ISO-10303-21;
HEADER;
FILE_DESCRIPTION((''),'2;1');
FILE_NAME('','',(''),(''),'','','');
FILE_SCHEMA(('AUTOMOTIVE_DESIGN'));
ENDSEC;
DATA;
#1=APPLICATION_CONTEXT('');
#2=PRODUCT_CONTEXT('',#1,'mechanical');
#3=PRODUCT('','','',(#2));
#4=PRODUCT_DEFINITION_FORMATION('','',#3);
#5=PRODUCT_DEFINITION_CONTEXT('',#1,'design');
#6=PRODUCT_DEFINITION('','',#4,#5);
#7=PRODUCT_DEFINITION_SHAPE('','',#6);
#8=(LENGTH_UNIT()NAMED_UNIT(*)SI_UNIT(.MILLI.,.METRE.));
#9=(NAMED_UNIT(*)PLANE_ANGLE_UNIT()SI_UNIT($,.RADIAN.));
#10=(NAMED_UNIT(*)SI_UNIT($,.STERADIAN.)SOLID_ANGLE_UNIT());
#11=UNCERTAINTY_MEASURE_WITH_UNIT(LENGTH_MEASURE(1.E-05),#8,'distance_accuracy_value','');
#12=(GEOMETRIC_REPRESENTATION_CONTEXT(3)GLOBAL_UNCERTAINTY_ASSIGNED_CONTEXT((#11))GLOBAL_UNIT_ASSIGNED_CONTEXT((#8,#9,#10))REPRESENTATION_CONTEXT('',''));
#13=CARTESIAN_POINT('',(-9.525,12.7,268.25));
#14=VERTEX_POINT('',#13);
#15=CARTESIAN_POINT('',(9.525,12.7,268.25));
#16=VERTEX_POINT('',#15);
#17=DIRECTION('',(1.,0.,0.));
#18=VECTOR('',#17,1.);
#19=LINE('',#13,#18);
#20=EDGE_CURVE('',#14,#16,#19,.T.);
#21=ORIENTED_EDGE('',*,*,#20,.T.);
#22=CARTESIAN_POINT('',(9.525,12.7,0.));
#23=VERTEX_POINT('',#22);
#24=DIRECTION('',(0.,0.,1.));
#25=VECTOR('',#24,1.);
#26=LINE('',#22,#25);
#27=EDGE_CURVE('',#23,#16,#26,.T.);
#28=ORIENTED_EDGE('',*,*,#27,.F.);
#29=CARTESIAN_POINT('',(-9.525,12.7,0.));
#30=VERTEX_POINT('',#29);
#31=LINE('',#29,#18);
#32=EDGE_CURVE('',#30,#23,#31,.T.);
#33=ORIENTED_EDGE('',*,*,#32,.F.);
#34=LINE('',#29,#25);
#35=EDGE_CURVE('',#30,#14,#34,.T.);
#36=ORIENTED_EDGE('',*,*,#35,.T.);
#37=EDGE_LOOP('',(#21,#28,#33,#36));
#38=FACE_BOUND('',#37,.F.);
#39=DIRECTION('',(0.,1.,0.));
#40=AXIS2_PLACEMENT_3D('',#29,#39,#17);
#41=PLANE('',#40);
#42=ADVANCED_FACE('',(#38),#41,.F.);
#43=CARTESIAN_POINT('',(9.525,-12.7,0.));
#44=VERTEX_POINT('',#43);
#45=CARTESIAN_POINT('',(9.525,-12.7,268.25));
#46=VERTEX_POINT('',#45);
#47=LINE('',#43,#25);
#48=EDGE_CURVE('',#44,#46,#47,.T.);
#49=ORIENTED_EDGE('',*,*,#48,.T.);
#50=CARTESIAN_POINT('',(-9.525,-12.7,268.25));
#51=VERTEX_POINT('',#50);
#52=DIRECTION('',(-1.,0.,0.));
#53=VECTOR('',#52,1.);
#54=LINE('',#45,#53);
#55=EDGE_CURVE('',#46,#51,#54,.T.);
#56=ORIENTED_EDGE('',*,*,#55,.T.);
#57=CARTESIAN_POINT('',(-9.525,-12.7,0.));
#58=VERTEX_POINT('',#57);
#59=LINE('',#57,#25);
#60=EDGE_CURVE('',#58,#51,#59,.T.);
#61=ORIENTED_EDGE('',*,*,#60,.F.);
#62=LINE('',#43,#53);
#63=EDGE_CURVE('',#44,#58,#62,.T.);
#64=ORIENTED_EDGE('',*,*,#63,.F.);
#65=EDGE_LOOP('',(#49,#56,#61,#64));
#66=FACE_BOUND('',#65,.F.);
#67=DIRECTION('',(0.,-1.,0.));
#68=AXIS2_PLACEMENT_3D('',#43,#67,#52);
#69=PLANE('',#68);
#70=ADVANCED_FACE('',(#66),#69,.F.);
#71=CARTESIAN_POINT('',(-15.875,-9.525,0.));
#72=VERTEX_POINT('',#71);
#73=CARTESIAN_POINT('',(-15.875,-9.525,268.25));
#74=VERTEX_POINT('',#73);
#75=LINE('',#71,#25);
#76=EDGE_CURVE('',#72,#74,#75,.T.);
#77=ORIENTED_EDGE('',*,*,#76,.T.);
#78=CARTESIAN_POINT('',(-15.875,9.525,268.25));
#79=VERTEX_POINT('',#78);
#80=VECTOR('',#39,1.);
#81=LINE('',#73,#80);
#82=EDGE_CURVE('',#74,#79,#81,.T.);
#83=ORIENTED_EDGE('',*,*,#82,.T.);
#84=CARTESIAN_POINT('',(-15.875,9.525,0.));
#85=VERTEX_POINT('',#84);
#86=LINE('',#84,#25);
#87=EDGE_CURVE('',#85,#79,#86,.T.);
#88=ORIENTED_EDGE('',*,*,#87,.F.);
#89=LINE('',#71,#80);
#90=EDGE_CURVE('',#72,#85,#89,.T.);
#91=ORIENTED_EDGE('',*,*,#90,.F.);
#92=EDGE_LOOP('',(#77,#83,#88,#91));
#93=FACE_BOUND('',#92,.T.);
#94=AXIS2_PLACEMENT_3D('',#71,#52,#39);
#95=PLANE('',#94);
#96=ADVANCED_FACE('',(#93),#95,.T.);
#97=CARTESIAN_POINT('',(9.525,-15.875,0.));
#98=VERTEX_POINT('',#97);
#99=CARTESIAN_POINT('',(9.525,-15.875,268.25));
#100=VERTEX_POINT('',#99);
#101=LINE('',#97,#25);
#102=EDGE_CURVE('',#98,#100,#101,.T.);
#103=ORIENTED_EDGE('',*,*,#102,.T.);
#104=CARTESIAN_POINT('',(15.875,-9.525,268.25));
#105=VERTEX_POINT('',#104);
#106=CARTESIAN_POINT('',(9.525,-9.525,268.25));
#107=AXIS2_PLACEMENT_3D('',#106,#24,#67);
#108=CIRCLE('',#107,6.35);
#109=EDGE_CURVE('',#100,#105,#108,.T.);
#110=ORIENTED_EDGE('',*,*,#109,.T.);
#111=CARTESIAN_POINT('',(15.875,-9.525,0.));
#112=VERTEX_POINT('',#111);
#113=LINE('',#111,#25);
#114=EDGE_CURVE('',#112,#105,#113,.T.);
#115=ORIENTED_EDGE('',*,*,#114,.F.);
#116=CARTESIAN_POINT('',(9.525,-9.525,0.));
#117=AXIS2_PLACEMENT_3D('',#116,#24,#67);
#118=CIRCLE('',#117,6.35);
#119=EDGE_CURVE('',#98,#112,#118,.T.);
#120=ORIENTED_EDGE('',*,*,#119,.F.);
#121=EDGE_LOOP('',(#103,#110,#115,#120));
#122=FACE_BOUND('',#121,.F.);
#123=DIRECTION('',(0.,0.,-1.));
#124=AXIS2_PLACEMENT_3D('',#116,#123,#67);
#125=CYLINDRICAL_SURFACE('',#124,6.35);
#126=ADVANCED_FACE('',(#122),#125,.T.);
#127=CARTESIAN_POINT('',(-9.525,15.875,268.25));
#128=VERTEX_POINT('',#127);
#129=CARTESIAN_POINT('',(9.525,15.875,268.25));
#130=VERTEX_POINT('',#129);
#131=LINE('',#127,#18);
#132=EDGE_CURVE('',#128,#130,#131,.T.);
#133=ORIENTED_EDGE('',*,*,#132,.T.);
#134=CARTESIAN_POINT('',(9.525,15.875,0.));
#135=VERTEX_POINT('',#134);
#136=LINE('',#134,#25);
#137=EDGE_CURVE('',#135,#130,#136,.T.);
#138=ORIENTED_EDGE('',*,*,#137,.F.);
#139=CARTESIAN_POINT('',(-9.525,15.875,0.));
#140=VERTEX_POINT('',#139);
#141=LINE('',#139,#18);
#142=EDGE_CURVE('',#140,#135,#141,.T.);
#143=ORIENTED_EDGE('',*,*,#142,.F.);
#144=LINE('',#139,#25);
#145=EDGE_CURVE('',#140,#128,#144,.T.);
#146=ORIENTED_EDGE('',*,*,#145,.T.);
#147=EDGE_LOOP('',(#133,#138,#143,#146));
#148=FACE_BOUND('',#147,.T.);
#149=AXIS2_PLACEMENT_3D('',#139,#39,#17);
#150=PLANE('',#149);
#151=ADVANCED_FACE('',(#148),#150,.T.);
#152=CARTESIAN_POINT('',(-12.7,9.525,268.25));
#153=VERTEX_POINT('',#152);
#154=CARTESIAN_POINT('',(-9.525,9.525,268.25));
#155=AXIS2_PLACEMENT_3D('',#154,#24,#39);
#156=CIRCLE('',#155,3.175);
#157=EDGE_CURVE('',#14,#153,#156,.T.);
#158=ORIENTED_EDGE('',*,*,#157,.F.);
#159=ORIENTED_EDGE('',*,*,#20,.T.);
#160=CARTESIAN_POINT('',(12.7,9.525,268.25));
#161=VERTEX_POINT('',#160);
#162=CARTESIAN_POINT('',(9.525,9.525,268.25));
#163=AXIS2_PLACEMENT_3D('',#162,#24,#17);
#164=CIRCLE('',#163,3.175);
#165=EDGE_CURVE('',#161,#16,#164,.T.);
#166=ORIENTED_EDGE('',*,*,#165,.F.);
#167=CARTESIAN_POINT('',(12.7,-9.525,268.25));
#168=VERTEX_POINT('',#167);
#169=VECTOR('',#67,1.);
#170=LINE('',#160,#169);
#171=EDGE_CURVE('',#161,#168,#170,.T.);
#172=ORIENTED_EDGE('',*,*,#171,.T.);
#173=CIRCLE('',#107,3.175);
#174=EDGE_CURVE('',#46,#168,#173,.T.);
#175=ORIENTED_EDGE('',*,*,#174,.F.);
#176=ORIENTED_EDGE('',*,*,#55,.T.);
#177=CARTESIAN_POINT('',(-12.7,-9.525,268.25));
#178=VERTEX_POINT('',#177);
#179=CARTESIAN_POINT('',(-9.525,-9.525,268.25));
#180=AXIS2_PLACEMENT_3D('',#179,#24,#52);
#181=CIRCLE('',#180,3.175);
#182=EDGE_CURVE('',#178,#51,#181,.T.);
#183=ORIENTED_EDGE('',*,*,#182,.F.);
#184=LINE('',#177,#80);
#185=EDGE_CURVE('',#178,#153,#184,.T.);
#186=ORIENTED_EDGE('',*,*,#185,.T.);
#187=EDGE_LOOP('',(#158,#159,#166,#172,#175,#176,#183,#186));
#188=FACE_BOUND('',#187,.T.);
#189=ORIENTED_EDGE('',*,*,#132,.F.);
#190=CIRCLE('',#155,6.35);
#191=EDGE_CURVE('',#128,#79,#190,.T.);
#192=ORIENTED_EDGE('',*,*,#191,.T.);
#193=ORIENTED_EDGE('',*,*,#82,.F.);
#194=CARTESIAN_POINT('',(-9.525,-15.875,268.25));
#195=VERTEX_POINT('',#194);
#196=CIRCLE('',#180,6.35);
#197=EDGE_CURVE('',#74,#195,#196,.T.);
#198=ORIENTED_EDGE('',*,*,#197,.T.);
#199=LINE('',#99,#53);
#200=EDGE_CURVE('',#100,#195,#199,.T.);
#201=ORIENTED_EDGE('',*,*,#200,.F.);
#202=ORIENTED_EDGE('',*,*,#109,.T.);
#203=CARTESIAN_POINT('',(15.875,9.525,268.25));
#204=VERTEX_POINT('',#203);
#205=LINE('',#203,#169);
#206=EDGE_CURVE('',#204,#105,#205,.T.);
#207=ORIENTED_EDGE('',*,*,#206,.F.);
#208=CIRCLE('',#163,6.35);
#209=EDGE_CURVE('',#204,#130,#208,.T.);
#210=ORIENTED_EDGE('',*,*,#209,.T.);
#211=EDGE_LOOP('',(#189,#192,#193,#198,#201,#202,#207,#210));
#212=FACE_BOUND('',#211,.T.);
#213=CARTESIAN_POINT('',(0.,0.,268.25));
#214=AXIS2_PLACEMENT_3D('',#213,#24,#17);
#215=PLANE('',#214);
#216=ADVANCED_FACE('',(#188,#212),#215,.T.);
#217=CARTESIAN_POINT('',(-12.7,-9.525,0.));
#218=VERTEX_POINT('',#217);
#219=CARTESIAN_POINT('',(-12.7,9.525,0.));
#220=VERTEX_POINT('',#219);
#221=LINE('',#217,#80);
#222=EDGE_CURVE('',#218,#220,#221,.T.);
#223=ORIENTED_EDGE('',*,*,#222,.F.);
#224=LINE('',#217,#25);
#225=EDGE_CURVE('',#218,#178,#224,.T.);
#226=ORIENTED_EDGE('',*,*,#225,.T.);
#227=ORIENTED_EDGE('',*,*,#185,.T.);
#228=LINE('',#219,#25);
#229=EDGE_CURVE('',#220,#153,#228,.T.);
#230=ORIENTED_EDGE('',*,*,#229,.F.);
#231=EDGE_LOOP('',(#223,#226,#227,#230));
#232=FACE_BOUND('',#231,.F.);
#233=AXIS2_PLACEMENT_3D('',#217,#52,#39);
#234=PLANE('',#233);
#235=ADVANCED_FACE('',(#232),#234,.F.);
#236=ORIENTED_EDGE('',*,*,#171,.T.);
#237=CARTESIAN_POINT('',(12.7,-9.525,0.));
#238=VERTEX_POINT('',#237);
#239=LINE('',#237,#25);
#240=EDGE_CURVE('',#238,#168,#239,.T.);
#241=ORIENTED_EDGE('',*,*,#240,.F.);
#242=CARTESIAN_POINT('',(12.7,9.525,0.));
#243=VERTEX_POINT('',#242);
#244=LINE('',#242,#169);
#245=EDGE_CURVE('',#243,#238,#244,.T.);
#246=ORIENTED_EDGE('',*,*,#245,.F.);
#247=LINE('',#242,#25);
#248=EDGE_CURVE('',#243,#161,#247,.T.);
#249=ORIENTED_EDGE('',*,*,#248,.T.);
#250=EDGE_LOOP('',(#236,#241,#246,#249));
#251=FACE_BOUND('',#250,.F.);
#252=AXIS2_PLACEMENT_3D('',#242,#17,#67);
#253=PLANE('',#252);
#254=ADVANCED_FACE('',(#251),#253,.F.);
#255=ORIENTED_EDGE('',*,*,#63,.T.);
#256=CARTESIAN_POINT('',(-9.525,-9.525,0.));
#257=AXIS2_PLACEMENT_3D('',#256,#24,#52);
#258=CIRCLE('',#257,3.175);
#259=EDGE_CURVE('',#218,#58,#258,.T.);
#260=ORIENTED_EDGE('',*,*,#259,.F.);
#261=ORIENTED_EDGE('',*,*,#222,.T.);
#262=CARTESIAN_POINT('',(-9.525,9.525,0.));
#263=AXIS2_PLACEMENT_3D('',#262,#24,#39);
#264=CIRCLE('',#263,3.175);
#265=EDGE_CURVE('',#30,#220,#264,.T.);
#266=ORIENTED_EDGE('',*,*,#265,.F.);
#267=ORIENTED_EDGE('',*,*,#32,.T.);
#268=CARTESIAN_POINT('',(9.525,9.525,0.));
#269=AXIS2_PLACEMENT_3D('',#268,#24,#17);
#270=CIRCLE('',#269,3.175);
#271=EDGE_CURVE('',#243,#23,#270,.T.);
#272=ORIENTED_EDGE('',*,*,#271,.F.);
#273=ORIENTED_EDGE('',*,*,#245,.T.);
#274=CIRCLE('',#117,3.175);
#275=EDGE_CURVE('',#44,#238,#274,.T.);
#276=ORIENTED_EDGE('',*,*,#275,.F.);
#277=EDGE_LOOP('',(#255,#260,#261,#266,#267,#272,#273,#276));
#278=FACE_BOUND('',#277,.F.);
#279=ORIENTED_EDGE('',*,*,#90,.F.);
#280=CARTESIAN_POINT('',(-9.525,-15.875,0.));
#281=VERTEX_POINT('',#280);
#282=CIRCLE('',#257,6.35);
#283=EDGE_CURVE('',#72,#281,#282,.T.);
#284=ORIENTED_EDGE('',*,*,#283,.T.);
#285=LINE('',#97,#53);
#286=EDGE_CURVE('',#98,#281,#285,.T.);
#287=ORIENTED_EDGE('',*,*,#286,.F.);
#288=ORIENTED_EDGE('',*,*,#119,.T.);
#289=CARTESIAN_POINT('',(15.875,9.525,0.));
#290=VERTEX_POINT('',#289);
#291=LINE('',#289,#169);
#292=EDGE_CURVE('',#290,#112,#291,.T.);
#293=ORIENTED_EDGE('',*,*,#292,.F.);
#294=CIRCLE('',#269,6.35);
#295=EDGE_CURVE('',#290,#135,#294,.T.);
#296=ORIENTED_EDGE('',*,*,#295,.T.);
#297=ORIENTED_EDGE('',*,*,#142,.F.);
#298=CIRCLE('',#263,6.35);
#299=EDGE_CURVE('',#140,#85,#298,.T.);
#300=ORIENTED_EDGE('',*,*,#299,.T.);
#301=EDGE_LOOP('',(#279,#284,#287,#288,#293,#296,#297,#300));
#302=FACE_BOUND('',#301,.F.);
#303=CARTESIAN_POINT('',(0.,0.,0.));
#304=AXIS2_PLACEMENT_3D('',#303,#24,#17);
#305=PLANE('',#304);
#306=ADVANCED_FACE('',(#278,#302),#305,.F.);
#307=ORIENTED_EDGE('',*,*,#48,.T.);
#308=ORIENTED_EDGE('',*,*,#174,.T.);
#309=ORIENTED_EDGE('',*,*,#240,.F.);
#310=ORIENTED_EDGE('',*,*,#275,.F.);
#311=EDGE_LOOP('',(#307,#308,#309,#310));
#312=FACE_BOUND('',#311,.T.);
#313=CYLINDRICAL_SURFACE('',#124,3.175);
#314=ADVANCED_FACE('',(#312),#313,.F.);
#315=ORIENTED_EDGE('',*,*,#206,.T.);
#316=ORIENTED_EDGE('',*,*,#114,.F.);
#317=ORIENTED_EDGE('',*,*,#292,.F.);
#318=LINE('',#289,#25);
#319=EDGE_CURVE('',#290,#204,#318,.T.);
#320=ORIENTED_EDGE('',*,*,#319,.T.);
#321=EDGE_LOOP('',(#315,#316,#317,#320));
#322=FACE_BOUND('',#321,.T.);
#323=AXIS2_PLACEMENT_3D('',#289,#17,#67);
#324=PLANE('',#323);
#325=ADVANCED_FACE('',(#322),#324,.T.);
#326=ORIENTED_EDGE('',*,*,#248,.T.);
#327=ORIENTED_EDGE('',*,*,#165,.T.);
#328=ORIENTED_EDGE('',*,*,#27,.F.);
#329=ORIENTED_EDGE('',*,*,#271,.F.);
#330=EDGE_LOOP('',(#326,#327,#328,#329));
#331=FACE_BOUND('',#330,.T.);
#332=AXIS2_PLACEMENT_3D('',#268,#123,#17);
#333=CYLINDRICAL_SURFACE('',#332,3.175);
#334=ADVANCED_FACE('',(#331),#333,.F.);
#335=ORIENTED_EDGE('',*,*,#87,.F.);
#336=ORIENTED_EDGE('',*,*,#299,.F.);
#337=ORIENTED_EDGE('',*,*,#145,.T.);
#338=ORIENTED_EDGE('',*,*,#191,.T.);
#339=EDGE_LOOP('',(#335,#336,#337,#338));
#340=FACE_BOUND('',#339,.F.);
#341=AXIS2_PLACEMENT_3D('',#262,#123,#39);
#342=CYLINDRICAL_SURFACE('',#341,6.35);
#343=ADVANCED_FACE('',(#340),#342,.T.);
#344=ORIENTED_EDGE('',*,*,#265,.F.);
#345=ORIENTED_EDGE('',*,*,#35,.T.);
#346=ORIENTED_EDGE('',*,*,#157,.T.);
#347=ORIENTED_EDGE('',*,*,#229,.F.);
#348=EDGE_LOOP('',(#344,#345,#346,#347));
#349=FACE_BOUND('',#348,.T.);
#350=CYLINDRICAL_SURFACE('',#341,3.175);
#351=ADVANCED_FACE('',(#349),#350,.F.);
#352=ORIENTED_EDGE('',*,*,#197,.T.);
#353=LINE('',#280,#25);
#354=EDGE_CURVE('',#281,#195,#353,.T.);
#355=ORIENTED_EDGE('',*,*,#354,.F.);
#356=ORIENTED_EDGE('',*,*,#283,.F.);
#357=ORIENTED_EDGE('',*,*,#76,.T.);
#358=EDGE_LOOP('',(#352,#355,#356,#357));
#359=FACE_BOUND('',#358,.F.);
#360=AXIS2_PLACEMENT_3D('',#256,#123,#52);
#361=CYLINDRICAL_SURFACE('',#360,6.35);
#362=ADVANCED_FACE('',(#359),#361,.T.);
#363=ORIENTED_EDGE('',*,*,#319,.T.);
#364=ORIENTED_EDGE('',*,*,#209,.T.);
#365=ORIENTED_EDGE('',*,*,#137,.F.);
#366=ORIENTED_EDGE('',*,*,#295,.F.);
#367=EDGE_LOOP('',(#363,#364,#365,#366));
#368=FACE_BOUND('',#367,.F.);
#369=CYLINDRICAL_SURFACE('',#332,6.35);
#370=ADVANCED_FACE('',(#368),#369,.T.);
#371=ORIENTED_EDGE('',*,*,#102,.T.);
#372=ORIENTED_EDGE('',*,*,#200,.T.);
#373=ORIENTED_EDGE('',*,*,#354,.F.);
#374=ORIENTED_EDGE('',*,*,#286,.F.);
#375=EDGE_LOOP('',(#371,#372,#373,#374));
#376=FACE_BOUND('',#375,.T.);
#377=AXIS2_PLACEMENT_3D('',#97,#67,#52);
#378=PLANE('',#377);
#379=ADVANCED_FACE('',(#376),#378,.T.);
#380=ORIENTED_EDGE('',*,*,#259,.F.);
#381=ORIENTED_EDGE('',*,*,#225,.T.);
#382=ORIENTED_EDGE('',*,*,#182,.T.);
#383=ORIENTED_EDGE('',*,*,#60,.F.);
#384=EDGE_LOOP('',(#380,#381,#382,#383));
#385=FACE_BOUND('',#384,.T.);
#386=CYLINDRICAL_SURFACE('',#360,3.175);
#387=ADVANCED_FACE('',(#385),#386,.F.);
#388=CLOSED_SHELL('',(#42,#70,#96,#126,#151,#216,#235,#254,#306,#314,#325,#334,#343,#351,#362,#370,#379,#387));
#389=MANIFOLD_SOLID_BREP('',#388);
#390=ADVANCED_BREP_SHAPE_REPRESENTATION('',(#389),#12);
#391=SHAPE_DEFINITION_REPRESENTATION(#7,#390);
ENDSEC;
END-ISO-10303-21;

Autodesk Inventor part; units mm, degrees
ref_plane "Start Plane" through (0, 0, 0) normal (0, 0, 1) x (1, 0, 0)
ref_plane "End Plane" through (0, 0, 268.25) normal (0, 0, 1) x (1, 0, 0)
sketch "Sketch" plane through (0, 0, 0) normal (0, 0, 1) x (1, 0, 0)
  line L0 (-15.875, -9.525) -> (-15.875, 9.525)
  line L1 (-9.525, 15.875) -> (9.525, 15.875)
  line L2 (15.875, 9.525) -> (15.875, -9.525)
  line L3 (9.525, -15.875) -> (-9.525, -15.875)
  arc A0 (-15.875, -9.525) -> (-9.525, -15.875) centre (-9.525, -9.525) ccw
  arc A1 (-9.525, 15.875) -> (-15.875, 9.525) centre (-9.525, 9.525) ccw
  arc A2 (15.875, 9.525) -> (9.525, 15.875) centre (9.525, 9.525) ccw
  arc A3 (9.525, -15.875) -> (15.875, -9.525) centre (9.525, -9.525) ccw
  arc A4 (-9.525, 12.7) -> (-12.7, 9.525) centre (-9.525, 9.525) ccw
  line L4 (-9.525, 12.7) -> (9.525, 12.7)
  arc A5 (12.7, 9.525) -> (9.525, 12.7) centre (9.525, 9.525) ccw
  line L5 (12.7, 9.525) -> (12.7, -9.525)
  arc A6 (9.525, -12.7) -> (12.7, -9.525) centre (9.525, -9.525) ccw
  line L6 (9.525, -12.7) -> (-9.525, -12.7)
  arc A7 (-12.7, -9.525) -> (-9.525, -12.7) centre (-9.525, -9.525) ccw
  line L7 (-12.7, -9.525) -> (-12.7, 9.525)
  line L8 (0, 24.0662) -> (0, -24.0662) construction
  line L9 (-24.0662, 0) -> (24.0662, 0) construction
  dimension "d10" = 31.75
  dimension "d11" = 31.75
  dimension "d12" = 3.175
  dimension "d15" = 15.875
  dimension "d16" = 15.875
  dimension "d17" = 6.35
extrude "Body" add sketch "Sketch" along normal up to surface (268.25 mm away) from surface at 0
sketch "Sketch3" plane through (0, 0, 0) normal (0, 0, 1) x (1, 0, 0)
  line L0 (0, 0) -> (10, 0)
ref_plane "Work Plane3" through (0, 0, 0) normal (0, -1, 0) x (1, 0, 0)
ref_plane "Work Plane4" through (-300, -6.35, 268.25) normal (0, 0, 1) x (1, 0, 0)
split "Split1" plane through (-300, -6.35, 268.25) removes the side toward (0, 0, 1)
sketch "Sketch4" plane through (0, 0, 0) normal (0, -1, 0) x (1, 0, 0)
  line L0 (-2, 0) -> (12, 0) projected
  line L1 (-2, 268.25) -> (12, 268.25) projected
  dimension "d19" = 268.25
equation "\"d10\" = G_H"
equation "\"d11\" = G_W"
equation "\"d12\" = G_T"
equation "\"d15\" = 0.5 * d10"
equation "\"d16\" = 0.5 * d11"
equation "\"d17\" = G_IR"
equation "\"d3\" = G_L"
equation "\"G_W\" = 31.75"
equation "\"G_H\" = 31.75"
equation "\"G_T\" = 3.175"
equation "\"G_IR\" = 6.35"
equation "\"G_L\" = d19"
equation "\"G_OFFSET_START\" = 0"
equation "\"G_OFFSET_END\" = -31.75"
equation "\"d14\" = G_OFFSET_END + B_L"
equation "\"B_L\" = 300"
properties part number "AISC HSS - (1 1/4x1 1/4x1/8) - 10.561" material "Steel, Mild"
